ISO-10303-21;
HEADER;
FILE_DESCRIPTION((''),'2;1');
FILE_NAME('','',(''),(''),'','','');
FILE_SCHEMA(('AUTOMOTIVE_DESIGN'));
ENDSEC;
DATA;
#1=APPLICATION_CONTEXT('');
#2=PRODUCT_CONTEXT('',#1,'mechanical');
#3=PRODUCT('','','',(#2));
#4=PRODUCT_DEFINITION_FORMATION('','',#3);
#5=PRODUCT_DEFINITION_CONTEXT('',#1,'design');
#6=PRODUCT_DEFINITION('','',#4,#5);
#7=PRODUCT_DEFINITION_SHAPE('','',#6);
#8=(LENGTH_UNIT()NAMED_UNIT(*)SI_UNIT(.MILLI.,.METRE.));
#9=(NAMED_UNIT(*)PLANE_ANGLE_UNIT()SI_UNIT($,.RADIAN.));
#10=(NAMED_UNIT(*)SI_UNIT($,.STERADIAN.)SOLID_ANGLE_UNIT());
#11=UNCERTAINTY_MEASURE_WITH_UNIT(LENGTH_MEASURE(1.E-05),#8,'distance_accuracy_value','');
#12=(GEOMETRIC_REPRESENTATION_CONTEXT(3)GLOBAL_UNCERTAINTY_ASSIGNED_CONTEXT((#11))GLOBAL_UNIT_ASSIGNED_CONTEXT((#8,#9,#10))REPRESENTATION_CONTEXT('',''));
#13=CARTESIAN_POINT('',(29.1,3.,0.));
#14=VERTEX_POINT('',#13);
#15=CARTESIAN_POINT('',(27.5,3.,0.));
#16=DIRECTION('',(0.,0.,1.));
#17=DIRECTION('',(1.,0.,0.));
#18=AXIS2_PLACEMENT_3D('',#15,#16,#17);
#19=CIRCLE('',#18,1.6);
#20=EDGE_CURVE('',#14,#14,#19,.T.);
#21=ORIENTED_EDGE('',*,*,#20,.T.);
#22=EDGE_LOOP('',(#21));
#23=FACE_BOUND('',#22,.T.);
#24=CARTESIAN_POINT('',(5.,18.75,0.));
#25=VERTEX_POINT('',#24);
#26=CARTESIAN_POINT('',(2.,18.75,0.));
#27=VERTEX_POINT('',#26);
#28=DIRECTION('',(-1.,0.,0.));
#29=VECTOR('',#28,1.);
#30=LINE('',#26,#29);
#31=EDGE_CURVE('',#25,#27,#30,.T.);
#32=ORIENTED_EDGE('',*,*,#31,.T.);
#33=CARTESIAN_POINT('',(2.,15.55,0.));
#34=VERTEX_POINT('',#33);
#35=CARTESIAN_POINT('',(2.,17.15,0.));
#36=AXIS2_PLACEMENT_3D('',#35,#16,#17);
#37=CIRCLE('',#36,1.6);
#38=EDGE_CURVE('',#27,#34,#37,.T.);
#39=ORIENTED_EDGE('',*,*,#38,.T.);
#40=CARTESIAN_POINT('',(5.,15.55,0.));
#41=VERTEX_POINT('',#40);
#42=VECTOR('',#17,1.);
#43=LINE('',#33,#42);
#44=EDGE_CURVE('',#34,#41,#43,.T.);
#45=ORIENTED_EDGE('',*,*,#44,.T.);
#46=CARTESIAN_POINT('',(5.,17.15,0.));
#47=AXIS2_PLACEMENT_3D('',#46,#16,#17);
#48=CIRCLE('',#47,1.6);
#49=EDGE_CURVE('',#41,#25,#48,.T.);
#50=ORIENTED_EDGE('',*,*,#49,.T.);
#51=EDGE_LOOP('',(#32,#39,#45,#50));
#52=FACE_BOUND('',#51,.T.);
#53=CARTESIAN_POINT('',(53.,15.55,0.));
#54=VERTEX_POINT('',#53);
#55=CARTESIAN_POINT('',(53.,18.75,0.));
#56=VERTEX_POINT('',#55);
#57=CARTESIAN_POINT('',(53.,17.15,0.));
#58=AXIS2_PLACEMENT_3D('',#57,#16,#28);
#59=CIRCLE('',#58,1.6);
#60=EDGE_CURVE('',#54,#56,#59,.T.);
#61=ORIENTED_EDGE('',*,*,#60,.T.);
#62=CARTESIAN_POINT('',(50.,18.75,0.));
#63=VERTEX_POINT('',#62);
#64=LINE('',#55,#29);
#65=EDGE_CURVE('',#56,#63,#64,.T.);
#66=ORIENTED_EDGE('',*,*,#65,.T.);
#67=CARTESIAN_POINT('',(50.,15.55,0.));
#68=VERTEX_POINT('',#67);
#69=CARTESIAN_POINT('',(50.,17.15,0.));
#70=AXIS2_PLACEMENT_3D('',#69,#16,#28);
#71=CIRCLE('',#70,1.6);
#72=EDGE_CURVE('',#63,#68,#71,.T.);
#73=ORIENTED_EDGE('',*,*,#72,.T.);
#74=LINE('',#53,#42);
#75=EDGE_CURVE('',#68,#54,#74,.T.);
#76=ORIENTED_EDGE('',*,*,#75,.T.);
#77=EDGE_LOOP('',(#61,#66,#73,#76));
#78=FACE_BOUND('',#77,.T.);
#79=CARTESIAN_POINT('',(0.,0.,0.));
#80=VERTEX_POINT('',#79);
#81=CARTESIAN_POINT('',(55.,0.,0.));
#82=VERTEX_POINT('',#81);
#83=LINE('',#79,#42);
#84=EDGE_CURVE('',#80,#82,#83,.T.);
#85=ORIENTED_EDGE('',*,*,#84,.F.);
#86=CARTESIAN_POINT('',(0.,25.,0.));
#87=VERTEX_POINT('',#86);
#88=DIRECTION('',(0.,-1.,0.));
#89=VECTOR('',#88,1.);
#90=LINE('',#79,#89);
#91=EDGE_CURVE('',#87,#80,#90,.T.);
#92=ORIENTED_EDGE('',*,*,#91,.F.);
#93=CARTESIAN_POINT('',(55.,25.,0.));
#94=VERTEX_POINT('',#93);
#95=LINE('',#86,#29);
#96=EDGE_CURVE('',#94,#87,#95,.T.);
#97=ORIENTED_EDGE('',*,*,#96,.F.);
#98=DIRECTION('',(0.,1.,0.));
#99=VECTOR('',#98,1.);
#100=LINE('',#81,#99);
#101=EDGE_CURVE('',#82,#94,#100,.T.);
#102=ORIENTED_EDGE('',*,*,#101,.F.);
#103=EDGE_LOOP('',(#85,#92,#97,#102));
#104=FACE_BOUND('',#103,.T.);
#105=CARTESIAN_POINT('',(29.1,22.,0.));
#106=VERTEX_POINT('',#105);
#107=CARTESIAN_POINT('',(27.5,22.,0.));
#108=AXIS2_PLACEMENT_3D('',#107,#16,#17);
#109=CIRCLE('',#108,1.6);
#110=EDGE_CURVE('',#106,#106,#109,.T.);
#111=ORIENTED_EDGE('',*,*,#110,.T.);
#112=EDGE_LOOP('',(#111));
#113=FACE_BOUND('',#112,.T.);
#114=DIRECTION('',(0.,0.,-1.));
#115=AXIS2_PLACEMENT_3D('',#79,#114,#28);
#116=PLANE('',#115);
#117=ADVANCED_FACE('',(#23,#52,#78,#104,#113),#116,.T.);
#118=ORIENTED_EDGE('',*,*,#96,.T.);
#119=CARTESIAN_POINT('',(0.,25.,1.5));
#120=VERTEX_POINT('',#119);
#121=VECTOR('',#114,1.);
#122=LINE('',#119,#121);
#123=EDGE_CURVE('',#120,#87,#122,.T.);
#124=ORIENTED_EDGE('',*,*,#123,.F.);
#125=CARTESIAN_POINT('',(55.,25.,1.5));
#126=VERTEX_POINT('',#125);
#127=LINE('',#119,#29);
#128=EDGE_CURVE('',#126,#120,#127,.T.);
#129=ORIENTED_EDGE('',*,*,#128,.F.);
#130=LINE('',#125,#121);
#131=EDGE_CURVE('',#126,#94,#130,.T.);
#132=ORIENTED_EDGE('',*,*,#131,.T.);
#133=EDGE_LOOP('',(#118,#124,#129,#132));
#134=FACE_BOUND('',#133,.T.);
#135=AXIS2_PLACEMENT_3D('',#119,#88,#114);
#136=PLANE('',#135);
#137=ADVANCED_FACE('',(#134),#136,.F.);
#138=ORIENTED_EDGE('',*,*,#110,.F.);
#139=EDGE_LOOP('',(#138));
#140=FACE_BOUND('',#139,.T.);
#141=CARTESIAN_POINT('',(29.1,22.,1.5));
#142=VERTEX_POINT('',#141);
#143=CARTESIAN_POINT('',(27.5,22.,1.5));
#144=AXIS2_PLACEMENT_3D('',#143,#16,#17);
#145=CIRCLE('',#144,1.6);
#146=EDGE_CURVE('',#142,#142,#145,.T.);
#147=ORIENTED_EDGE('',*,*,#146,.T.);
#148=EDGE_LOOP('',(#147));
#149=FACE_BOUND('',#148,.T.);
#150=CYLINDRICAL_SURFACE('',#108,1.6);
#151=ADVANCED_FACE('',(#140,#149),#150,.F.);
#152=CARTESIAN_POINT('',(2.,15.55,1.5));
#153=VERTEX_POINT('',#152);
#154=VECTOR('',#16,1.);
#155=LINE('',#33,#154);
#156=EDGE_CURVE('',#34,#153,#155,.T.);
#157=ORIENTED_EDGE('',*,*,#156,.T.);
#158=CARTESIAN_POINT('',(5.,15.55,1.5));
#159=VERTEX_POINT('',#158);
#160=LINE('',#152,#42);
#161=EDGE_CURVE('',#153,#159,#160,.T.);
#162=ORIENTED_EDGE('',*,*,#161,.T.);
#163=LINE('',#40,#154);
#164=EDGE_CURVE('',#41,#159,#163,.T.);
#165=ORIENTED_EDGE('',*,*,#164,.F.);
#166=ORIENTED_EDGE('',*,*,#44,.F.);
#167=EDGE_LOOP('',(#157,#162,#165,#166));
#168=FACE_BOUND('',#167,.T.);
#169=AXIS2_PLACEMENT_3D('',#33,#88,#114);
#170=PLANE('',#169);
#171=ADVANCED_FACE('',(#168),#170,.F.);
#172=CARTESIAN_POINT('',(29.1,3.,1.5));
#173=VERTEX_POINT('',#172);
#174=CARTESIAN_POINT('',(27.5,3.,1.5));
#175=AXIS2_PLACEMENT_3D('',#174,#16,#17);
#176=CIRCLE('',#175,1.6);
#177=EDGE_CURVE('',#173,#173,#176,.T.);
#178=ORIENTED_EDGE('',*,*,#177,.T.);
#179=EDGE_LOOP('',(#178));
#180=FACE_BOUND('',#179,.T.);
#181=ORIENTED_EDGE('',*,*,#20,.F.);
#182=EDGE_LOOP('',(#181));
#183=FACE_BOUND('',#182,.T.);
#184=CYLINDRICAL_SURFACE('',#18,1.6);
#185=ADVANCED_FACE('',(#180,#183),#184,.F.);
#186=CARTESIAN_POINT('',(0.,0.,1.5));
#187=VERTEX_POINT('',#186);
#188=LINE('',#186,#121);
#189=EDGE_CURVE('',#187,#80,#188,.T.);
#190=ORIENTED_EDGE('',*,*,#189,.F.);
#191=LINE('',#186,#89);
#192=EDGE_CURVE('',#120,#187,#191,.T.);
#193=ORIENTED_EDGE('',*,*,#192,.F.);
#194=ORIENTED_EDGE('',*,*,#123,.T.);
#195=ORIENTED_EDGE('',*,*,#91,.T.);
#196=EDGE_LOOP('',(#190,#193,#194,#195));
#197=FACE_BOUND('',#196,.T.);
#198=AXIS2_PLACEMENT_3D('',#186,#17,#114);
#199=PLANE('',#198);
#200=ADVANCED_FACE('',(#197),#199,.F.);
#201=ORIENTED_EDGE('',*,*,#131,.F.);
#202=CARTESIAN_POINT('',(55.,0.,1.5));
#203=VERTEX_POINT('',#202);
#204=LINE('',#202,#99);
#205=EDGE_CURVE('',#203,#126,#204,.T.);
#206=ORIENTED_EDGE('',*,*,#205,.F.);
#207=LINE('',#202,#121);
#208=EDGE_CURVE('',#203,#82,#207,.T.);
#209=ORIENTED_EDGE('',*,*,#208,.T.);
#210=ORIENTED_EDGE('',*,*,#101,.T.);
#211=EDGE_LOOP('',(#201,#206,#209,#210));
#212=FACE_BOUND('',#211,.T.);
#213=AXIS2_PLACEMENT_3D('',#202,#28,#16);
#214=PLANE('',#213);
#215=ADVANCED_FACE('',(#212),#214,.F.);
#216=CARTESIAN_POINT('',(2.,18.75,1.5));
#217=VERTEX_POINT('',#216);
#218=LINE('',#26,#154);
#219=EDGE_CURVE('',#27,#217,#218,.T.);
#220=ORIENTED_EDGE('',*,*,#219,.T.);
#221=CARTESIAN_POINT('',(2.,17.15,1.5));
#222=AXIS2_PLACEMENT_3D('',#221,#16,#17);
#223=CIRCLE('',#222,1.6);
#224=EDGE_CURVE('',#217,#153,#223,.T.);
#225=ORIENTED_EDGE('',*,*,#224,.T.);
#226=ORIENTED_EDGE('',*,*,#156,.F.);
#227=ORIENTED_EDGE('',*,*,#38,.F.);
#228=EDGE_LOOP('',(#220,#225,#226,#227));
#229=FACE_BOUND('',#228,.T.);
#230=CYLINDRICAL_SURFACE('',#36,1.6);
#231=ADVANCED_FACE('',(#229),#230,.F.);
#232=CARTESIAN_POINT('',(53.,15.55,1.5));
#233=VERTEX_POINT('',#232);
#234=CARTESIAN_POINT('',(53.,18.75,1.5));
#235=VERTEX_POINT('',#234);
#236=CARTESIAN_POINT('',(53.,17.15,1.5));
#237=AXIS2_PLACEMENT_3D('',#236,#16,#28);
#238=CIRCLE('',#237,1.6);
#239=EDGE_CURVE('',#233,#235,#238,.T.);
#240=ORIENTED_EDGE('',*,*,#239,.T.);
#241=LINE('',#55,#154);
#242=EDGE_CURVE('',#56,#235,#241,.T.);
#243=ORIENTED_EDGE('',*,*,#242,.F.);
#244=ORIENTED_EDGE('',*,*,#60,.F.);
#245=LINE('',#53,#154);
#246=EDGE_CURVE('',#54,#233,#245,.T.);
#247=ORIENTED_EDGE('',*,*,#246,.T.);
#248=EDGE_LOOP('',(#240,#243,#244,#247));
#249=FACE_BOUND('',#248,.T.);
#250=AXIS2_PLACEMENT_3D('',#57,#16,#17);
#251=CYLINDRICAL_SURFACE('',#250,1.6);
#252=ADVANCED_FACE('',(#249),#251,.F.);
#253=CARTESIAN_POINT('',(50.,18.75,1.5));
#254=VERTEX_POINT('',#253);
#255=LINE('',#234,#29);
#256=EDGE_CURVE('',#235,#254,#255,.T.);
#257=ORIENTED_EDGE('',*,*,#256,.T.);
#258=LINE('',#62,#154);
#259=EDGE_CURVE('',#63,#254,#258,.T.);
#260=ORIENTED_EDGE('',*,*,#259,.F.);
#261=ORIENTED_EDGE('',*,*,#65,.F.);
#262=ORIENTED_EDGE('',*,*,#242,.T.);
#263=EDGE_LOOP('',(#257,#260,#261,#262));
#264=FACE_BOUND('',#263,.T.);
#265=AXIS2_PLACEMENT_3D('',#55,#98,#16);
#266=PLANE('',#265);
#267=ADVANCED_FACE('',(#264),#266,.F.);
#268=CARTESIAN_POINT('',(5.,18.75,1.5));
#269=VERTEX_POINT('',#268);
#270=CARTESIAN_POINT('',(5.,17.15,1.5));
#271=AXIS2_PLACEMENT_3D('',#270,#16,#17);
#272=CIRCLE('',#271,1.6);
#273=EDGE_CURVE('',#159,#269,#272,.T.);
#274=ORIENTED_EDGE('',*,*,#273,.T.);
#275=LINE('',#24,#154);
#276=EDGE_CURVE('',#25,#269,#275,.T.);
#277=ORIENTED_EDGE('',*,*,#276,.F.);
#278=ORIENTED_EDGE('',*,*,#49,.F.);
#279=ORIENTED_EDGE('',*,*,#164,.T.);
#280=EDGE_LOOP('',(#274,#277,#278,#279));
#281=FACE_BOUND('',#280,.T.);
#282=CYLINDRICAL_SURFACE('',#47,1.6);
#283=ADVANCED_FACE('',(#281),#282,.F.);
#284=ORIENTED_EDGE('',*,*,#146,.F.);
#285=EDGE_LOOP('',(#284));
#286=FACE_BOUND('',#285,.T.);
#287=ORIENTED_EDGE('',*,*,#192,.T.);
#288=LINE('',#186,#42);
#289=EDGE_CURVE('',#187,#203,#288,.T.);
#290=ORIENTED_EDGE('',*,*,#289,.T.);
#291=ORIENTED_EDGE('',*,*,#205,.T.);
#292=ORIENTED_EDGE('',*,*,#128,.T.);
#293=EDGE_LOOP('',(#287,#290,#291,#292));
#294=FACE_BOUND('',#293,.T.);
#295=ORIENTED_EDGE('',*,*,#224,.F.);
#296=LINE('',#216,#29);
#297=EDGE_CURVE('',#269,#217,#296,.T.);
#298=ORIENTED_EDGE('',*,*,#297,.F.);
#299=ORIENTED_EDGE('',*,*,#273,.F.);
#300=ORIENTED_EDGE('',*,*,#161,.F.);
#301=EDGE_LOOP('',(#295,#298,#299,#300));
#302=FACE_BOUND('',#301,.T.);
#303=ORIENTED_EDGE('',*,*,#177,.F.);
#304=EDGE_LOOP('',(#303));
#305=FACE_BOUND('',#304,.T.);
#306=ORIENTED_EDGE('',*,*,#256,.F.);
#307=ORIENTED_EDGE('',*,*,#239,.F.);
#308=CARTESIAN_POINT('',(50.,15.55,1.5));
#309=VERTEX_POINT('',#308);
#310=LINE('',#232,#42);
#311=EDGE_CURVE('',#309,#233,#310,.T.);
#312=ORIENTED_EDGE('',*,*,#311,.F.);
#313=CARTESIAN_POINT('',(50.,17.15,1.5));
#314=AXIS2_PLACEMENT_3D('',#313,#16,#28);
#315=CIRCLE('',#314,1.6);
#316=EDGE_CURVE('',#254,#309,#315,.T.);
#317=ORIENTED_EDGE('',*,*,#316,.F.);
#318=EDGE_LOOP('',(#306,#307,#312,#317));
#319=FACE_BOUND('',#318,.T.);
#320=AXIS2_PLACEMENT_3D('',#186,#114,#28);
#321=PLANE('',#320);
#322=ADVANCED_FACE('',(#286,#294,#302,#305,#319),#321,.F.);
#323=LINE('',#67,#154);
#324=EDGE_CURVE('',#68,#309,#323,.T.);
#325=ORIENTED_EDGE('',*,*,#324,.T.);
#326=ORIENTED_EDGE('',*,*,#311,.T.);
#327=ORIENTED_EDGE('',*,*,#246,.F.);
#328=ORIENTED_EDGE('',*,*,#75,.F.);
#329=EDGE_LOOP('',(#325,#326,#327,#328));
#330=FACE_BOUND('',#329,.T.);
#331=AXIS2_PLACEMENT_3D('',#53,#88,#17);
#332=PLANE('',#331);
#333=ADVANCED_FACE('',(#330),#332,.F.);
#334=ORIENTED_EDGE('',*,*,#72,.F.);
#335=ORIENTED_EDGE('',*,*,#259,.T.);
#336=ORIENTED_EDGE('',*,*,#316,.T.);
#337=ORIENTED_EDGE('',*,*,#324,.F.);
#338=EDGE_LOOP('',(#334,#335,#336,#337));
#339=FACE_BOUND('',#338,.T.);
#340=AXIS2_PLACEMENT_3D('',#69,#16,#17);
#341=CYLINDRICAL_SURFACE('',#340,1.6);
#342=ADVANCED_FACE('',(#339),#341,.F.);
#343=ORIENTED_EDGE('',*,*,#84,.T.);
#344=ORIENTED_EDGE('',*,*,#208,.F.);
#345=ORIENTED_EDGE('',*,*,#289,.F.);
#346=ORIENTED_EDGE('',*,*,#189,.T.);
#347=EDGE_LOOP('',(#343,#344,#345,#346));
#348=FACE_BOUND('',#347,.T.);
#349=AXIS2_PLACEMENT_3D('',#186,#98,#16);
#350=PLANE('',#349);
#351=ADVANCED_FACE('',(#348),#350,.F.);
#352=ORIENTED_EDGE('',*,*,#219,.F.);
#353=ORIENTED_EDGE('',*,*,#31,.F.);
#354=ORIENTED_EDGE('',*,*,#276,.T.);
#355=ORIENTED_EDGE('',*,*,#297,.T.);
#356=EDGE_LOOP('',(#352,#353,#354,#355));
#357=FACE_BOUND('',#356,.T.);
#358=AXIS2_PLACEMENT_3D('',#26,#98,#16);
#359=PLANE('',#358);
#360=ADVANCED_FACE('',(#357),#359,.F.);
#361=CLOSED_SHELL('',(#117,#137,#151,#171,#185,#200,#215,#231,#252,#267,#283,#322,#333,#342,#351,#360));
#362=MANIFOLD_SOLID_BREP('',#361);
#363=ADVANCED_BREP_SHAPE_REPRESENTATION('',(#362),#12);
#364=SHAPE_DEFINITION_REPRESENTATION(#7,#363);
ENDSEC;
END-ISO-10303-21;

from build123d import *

# Parameters (mm, degrees)
SKETCH_1_W          = 55
SKETCH_1_H          = 25
EXTRUDE_1_DEPTH     = 1.5
CUT_EXTRUDE_1_DEPTH = 61.433848132
SKETCH_3_R          = 1.6
CUT_EXTRUDE_2_DEPTH = 61.433848132


with BuildPart() as part:
    # Эскиз1 → Бобышка-Вытянуть1 (new body)
    with BuildSketch(Plane.XY):
        with Locations((27.5, 12.5)):
            Rectangle(SKETCH_1_W, SKETCH_1_H)
    extrude(amount=EXTRUDE_1_DEPTH)

    # Эскиз2 → Вырез-Вытянуть1 (cut, through all)
    with BuildSketch(Plane.XY.offset(1.5)):
        with BuildLine():
            Line((2, 18.75), (5, 18.75))
            ThreePointArc((5, 18.75), (6.6, 17.15), (5, 15.55))
            Line((5, 15.55), (2, 15.55))
            ThreePointArc((2, 15.55), (0.4, 17.15), (2, 18.75))
        make_face()
        with BuildLine():
            Line((53, 18.75), (50, 18.75))
            ThreePointArc((50, 18.75), (48.4, 17.15), (50, 15.55))
            Line((50, 15.55), (53, 15.55))
            ThreePointArc((53, 15.55), (54.6, 17.15), (53, 18.75))
        make_face()
    extrude(amount=-CUT_EXTRUDE_1_DEPTH, mode=Mode.SUBTRACT)

    # Эскиз3 → Вырез-Вытянуть2 (cut, through all)
    with BuildSketch(Plane.XY.offset(1.5)):
        with Locations((27.5, 22)):
            Circle(SKETCH_3_R)
        with Locations((27.5, 3)):
            Circle(SKETCH_3_R)
    extrude(amount=-CUT_EXTRUDE_2_DEPTH, mode=Mode.SUBTRACT)


solid = part.part
